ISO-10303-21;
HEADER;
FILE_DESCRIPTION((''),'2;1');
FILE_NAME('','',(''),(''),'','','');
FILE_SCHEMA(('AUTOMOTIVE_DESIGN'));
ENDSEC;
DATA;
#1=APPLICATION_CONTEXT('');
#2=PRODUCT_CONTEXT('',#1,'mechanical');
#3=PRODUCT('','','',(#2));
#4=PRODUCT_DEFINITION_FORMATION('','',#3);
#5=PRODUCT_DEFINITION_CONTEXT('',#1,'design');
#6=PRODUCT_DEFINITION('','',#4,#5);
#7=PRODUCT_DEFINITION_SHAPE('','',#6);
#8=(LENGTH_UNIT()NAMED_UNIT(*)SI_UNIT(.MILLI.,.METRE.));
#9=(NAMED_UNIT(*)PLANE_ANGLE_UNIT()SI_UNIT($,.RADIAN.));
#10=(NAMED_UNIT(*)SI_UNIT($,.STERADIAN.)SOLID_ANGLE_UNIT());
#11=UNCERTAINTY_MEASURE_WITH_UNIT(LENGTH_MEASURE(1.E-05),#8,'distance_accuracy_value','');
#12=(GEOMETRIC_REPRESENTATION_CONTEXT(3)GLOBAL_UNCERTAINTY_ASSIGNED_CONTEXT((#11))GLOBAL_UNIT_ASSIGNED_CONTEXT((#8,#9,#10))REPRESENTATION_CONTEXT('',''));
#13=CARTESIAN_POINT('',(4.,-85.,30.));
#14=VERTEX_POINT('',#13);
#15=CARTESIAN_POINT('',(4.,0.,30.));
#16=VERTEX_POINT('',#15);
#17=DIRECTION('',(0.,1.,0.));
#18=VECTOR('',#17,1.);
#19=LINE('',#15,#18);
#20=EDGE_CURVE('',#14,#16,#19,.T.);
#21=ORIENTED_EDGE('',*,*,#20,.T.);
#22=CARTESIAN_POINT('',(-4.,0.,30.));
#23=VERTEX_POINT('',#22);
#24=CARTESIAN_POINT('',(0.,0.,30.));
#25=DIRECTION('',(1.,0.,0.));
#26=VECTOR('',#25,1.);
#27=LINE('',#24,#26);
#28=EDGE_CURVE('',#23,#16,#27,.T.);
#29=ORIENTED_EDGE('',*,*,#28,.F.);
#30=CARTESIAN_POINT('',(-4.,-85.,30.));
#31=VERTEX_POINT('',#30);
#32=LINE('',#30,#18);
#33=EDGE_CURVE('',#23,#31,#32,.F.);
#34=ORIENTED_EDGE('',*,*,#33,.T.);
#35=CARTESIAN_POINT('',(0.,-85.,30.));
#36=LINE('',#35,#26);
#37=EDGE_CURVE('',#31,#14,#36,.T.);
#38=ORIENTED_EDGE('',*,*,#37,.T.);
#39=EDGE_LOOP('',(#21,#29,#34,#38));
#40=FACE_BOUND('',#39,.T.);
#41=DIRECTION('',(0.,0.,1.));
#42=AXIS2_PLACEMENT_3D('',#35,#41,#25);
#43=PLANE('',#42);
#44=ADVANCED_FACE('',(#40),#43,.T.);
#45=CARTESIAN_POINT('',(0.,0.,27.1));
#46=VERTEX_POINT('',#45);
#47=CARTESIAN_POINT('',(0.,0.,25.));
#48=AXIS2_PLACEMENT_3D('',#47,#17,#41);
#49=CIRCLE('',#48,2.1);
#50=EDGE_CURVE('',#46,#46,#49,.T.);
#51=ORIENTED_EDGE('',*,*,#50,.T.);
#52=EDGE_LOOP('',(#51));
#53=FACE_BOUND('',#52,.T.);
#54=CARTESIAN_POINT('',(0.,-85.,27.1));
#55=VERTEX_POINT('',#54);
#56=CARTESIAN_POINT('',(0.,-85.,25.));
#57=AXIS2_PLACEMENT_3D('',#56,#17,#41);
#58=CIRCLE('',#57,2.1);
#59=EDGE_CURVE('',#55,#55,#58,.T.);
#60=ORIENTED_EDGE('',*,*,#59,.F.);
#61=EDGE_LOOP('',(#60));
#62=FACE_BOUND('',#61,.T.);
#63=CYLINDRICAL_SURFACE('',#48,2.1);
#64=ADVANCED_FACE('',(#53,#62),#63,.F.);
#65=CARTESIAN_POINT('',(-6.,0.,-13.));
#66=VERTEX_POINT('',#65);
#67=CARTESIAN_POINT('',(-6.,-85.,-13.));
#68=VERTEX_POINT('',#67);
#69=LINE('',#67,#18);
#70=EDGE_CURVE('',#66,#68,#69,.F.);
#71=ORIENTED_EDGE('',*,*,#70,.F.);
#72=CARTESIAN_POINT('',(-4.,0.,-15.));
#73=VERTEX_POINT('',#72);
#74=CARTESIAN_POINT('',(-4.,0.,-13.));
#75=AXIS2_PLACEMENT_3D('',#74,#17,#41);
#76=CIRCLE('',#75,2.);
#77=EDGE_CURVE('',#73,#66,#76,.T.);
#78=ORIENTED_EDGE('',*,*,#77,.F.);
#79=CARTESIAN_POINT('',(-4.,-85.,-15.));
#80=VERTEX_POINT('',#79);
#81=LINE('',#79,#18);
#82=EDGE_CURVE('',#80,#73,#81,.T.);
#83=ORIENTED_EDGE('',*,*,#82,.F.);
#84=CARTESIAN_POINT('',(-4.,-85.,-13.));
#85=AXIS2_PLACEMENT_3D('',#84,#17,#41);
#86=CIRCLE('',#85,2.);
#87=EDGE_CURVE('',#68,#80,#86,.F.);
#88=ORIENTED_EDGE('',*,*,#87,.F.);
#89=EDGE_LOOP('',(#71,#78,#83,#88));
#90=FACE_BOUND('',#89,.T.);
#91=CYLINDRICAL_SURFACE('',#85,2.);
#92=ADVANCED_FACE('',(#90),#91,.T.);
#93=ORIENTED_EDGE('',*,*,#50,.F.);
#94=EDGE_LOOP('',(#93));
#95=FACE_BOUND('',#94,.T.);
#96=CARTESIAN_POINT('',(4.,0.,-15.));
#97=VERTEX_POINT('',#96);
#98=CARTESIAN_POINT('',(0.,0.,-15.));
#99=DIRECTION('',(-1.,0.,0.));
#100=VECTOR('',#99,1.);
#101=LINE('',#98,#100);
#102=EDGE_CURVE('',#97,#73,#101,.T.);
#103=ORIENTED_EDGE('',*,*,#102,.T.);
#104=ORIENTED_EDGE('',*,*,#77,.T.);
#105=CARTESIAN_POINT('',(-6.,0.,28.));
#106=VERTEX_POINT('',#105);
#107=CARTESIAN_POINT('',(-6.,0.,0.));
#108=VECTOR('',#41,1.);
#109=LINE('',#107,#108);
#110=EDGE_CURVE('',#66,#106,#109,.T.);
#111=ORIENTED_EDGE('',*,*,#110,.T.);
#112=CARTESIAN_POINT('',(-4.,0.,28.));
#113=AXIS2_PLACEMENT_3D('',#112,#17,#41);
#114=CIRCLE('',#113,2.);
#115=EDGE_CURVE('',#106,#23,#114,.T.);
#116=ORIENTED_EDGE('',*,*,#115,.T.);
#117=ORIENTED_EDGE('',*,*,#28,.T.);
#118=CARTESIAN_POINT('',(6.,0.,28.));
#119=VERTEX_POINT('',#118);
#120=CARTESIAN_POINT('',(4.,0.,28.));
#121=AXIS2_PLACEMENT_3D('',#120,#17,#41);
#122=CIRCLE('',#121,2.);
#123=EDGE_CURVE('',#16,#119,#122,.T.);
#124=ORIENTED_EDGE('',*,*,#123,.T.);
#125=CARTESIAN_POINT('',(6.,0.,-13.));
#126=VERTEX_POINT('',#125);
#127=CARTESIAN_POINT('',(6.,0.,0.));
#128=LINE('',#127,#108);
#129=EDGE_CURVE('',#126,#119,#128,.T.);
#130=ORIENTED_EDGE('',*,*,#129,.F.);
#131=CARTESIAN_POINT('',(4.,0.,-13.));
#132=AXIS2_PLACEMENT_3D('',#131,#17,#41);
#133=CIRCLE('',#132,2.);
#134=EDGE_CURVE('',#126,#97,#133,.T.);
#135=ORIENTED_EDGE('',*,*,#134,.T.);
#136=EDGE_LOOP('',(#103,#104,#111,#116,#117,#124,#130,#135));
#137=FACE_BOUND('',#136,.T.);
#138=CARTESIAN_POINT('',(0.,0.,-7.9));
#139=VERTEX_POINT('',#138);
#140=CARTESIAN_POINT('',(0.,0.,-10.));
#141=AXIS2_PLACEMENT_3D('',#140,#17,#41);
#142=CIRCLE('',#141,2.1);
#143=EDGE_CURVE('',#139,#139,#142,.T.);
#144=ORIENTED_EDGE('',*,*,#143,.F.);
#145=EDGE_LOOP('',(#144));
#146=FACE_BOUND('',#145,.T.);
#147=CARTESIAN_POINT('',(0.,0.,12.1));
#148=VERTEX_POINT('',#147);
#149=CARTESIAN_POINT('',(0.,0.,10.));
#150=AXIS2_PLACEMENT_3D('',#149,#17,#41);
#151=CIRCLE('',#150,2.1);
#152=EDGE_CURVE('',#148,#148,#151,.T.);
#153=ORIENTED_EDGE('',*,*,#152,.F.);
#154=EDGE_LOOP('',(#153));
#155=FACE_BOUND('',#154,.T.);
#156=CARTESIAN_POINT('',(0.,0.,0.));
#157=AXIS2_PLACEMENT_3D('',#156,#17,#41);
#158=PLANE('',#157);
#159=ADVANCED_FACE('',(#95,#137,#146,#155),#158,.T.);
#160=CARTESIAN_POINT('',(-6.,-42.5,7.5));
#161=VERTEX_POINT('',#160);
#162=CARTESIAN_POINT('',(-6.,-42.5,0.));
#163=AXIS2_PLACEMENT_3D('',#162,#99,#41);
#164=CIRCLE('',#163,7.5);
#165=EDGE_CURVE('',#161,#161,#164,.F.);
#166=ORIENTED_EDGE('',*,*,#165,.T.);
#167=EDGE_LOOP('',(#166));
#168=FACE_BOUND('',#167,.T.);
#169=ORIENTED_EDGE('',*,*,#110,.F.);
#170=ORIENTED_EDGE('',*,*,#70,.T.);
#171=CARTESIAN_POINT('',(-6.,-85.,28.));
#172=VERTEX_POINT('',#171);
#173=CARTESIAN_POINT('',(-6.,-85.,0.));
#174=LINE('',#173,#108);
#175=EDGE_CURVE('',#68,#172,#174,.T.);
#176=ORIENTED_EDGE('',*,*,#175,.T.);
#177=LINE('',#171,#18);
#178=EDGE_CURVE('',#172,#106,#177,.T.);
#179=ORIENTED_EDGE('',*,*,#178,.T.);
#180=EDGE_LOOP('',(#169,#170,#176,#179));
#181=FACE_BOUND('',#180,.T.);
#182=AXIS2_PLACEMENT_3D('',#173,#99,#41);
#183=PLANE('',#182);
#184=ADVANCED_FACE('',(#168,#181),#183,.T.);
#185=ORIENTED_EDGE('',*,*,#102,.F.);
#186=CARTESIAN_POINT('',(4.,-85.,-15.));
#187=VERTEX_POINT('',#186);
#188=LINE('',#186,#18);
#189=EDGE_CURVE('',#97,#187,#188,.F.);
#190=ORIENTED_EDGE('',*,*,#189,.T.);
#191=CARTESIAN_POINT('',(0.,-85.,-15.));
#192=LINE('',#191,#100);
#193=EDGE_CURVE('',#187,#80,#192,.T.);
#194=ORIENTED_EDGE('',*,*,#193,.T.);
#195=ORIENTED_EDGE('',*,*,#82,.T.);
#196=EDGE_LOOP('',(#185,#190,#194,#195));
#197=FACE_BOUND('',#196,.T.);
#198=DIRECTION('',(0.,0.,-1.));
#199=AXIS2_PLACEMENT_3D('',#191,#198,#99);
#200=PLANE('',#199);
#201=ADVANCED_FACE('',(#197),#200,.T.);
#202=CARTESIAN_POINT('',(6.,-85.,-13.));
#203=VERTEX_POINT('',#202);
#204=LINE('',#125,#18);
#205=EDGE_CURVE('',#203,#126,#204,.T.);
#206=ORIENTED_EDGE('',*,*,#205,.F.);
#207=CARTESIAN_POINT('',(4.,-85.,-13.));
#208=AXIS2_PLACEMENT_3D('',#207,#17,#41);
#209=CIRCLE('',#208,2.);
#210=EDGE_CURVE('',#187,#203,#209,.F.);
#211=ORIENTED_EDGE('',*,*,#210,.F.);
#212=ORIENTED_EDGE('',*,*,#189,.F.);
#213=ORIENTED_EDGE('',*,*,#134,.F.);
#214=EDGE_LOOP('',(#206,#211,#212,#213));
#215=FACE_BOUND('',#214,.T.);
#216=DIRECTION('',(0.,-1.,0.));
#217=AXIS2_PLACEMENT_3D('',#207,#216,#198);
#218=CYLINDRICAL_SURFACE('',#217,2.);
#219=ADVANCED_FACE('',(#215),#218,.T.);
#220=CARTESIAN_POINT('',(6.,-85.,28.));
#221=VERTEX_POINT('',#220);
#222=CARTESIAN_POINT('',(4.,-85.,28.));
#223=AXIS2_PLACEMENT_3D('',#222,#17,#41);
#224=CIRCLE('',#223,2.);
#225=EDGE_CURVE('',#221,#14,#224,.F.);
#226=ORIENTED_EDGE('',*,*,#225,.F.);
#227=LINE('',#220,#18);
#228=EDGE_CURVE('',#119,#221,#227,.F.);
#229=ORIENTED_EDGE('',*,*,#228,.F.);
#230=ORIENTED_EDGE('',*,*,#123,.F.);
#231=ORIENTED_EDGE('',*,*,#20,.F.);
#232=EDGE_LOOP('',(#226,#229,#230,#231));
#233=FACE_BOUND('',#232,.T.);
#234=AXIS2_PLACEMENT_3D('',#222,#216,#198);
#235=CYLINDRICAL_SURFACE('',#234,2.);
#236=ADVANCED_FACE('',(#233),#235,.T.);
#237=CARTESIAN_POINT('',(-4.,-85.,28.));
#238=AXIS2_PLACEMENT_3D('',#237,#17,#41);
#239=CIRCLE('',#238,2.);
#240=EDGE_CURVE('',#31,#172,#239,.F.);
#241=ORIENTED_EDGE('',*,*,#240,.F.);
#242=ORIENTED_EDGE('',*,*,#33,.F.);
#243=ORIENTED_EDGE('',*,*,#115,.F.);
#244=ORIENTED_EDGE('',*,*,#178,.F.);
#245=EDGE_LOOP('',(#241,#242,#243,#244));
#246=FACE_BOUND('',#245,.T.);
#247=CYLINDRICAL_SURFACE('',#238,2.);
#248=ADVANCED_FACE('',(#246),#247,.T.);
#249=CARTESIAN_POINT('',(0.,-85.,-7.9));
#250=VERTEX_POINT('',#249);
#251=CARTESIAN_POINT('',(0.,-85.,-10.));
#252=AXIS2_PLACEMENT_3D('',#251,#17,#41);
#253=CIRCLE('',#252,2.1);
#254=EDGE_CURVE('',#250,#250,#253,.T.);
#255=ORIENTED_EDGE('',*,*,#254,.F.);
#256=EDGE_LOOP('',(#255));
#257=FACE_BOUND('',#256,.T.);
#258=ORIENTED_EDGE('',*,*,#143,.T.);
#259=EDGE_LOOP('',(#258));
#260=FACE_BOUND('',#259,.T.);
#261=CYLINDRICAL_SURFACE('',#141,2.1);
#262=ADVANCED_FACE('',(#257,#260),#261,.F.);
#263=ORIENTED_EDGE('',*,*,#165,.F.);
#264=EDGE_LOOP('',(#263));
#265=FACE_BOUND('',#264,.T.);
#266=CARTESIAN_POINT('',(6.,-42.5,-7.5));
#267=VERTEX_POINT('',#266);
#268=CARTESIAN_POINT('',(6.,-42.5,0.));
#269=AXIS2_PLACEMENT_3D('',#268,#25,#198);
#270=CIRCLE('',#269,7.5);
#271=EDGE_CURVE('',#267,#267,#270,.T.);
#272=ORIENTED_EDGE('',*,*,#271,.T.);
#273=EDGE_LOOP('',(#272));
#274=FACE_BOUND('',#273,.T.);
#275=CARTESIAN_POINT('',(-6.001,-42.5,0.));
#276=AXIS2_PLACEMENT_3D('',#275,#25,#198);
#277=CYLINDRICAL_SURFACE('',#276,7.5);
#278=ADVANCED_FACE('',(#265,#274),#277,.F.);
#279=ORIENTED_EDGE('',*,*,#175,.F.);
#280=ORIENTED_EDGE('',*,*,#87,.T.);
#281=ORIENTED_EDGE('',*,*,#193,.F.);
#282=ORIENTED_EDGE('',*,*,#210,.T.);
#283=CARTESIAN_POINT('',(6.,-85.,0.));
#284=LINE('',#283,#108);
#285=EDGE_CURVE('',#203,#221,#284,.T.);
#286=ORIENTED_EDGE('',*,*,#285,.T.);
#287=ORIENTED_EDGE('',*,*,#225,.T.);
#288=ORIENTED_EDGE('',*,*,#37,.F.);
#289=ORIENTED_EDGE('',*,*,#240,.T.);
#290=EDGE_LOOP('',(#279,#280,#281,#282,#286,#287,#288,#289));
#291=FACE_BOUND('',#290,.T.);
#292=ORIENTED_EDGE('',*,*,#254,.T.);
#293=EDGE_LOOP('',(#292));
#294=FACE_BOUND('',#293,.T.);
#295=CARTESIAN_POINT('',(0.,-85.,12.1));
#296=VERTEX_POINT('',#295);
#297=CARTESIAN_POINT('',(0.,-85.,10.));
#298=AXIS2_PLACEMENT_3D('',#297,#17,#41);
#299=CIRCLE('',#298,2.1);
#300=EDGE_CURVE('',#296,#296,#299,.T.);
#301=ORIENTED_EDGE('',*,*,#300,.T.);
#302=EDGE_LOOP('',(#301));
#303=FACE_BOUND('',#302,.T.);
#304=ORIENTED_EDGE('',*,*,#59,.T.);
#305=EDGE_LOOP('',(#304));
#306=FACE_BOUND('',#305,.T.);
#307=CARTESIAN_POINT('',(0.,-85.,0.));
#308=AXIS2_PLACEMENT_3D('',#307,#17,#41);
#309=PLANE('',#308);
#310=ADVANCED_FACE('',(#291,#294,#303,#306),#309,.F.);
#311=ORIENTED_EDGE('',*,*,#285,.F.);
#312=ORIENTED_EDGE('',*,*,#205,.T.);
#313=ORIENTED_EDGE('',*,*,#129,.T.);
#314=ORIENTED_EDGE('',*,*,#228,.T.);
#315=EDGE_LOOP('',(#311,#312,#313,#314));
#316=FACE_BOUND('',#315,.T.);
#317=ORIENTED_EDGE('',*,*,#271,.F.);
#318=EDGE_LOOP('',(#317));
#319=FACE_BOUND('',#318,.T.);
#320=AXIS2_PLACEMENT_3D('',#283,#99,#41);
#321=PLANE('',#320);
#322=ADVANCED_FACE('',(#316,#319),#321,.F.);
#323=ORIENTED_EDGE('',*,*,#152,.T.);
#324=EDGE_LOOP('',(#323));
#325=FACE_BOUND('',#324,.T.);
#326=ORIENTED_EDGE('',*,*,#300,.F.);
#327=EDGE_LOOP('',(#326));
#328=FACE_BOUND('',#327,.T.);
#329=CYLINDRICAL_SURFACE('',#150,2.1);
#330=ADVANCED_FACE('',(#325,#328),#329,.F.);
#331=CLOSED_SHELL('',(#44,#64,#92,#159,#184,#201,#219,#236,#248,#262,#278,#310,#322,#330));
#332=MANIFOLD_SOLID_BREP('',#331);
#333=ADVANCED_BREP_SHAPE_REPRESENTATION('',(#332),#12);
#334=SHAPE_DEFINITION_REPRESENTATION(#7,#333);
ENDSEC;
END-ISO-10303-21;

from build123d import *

# Parameters (mm, degrees)
SKETCH1_W                   = 12
SKETCH1_H                   = 45
BOSS_EXTRUDE1_DEPTH         = 85
TAP_DRILL_FOR_M5X0_8_TAP1_D = 4.2
CUT_EXTRUDE1_REACH          = 92.934
SKETCH3_R                   = 7.5
FILLET1_R                   = 2


with BuildPart() as part:
    # Sketch1 → Boss-Extrude1 (new body)
    with BuildSketch(Plane(origin=(0, 0, 0), x_dir=(1, 0, 0), z_dir=(0, 1, 0))):
        with Locations((0, -7.5)):
            Rectangle(SKETCH1_W, SKETCH1_H)
    extrude(amount=-BOSS_EXTRUDE1_DEPTH)

    # Tap Drill for M5x0.8 Tap1 (through all)
    with Locations(Plane(origin=(0, 0, -10), x_dir=(0, 0, 1), z_dir=(0, 1, 0))):
        with Locations((0, 0), (20, 0), (35, 0)):
            Hole(TAP_DRILL_FOR_M5X0_8_TAP1_D / 2)

    # Sketch3 → Cut-Extrude1 (cut, up to next)
    with BuildSketch(Plane(origin=(6, 0, 0), x_dir=(0, 0, -1), z_dir=(1, 0, 0)), mode=Mode.PRIVATE) as cut_extrude1_sk1:
        with Locations((0, -42.5)):
            Circle(SKETCH3_R)
    cut_extrude1_tool1 = extrude(cut_extrude1_sk1.sketch, amount=-CUT_EXTRUDE1_REACH, mode=Mode.PRIVATE) & part.part
    add(cut_extrude1_tool1.solids().sort_by_distance((6, -42.5, 0))[0], mode=Mode.SUBTRACT)

    # Fillet1
    fillet1_edges = [part.edges().sort_by_distance(p)[0] for p in [
        (6, -42.5, 30),
        (-6, -42.5, 30),
        (-6, -42.5, -15),
        (6, -42.5, -15),
    ]]
    fillet(fillet1_edges, radius=FILLET1_R)


solid = part.part
